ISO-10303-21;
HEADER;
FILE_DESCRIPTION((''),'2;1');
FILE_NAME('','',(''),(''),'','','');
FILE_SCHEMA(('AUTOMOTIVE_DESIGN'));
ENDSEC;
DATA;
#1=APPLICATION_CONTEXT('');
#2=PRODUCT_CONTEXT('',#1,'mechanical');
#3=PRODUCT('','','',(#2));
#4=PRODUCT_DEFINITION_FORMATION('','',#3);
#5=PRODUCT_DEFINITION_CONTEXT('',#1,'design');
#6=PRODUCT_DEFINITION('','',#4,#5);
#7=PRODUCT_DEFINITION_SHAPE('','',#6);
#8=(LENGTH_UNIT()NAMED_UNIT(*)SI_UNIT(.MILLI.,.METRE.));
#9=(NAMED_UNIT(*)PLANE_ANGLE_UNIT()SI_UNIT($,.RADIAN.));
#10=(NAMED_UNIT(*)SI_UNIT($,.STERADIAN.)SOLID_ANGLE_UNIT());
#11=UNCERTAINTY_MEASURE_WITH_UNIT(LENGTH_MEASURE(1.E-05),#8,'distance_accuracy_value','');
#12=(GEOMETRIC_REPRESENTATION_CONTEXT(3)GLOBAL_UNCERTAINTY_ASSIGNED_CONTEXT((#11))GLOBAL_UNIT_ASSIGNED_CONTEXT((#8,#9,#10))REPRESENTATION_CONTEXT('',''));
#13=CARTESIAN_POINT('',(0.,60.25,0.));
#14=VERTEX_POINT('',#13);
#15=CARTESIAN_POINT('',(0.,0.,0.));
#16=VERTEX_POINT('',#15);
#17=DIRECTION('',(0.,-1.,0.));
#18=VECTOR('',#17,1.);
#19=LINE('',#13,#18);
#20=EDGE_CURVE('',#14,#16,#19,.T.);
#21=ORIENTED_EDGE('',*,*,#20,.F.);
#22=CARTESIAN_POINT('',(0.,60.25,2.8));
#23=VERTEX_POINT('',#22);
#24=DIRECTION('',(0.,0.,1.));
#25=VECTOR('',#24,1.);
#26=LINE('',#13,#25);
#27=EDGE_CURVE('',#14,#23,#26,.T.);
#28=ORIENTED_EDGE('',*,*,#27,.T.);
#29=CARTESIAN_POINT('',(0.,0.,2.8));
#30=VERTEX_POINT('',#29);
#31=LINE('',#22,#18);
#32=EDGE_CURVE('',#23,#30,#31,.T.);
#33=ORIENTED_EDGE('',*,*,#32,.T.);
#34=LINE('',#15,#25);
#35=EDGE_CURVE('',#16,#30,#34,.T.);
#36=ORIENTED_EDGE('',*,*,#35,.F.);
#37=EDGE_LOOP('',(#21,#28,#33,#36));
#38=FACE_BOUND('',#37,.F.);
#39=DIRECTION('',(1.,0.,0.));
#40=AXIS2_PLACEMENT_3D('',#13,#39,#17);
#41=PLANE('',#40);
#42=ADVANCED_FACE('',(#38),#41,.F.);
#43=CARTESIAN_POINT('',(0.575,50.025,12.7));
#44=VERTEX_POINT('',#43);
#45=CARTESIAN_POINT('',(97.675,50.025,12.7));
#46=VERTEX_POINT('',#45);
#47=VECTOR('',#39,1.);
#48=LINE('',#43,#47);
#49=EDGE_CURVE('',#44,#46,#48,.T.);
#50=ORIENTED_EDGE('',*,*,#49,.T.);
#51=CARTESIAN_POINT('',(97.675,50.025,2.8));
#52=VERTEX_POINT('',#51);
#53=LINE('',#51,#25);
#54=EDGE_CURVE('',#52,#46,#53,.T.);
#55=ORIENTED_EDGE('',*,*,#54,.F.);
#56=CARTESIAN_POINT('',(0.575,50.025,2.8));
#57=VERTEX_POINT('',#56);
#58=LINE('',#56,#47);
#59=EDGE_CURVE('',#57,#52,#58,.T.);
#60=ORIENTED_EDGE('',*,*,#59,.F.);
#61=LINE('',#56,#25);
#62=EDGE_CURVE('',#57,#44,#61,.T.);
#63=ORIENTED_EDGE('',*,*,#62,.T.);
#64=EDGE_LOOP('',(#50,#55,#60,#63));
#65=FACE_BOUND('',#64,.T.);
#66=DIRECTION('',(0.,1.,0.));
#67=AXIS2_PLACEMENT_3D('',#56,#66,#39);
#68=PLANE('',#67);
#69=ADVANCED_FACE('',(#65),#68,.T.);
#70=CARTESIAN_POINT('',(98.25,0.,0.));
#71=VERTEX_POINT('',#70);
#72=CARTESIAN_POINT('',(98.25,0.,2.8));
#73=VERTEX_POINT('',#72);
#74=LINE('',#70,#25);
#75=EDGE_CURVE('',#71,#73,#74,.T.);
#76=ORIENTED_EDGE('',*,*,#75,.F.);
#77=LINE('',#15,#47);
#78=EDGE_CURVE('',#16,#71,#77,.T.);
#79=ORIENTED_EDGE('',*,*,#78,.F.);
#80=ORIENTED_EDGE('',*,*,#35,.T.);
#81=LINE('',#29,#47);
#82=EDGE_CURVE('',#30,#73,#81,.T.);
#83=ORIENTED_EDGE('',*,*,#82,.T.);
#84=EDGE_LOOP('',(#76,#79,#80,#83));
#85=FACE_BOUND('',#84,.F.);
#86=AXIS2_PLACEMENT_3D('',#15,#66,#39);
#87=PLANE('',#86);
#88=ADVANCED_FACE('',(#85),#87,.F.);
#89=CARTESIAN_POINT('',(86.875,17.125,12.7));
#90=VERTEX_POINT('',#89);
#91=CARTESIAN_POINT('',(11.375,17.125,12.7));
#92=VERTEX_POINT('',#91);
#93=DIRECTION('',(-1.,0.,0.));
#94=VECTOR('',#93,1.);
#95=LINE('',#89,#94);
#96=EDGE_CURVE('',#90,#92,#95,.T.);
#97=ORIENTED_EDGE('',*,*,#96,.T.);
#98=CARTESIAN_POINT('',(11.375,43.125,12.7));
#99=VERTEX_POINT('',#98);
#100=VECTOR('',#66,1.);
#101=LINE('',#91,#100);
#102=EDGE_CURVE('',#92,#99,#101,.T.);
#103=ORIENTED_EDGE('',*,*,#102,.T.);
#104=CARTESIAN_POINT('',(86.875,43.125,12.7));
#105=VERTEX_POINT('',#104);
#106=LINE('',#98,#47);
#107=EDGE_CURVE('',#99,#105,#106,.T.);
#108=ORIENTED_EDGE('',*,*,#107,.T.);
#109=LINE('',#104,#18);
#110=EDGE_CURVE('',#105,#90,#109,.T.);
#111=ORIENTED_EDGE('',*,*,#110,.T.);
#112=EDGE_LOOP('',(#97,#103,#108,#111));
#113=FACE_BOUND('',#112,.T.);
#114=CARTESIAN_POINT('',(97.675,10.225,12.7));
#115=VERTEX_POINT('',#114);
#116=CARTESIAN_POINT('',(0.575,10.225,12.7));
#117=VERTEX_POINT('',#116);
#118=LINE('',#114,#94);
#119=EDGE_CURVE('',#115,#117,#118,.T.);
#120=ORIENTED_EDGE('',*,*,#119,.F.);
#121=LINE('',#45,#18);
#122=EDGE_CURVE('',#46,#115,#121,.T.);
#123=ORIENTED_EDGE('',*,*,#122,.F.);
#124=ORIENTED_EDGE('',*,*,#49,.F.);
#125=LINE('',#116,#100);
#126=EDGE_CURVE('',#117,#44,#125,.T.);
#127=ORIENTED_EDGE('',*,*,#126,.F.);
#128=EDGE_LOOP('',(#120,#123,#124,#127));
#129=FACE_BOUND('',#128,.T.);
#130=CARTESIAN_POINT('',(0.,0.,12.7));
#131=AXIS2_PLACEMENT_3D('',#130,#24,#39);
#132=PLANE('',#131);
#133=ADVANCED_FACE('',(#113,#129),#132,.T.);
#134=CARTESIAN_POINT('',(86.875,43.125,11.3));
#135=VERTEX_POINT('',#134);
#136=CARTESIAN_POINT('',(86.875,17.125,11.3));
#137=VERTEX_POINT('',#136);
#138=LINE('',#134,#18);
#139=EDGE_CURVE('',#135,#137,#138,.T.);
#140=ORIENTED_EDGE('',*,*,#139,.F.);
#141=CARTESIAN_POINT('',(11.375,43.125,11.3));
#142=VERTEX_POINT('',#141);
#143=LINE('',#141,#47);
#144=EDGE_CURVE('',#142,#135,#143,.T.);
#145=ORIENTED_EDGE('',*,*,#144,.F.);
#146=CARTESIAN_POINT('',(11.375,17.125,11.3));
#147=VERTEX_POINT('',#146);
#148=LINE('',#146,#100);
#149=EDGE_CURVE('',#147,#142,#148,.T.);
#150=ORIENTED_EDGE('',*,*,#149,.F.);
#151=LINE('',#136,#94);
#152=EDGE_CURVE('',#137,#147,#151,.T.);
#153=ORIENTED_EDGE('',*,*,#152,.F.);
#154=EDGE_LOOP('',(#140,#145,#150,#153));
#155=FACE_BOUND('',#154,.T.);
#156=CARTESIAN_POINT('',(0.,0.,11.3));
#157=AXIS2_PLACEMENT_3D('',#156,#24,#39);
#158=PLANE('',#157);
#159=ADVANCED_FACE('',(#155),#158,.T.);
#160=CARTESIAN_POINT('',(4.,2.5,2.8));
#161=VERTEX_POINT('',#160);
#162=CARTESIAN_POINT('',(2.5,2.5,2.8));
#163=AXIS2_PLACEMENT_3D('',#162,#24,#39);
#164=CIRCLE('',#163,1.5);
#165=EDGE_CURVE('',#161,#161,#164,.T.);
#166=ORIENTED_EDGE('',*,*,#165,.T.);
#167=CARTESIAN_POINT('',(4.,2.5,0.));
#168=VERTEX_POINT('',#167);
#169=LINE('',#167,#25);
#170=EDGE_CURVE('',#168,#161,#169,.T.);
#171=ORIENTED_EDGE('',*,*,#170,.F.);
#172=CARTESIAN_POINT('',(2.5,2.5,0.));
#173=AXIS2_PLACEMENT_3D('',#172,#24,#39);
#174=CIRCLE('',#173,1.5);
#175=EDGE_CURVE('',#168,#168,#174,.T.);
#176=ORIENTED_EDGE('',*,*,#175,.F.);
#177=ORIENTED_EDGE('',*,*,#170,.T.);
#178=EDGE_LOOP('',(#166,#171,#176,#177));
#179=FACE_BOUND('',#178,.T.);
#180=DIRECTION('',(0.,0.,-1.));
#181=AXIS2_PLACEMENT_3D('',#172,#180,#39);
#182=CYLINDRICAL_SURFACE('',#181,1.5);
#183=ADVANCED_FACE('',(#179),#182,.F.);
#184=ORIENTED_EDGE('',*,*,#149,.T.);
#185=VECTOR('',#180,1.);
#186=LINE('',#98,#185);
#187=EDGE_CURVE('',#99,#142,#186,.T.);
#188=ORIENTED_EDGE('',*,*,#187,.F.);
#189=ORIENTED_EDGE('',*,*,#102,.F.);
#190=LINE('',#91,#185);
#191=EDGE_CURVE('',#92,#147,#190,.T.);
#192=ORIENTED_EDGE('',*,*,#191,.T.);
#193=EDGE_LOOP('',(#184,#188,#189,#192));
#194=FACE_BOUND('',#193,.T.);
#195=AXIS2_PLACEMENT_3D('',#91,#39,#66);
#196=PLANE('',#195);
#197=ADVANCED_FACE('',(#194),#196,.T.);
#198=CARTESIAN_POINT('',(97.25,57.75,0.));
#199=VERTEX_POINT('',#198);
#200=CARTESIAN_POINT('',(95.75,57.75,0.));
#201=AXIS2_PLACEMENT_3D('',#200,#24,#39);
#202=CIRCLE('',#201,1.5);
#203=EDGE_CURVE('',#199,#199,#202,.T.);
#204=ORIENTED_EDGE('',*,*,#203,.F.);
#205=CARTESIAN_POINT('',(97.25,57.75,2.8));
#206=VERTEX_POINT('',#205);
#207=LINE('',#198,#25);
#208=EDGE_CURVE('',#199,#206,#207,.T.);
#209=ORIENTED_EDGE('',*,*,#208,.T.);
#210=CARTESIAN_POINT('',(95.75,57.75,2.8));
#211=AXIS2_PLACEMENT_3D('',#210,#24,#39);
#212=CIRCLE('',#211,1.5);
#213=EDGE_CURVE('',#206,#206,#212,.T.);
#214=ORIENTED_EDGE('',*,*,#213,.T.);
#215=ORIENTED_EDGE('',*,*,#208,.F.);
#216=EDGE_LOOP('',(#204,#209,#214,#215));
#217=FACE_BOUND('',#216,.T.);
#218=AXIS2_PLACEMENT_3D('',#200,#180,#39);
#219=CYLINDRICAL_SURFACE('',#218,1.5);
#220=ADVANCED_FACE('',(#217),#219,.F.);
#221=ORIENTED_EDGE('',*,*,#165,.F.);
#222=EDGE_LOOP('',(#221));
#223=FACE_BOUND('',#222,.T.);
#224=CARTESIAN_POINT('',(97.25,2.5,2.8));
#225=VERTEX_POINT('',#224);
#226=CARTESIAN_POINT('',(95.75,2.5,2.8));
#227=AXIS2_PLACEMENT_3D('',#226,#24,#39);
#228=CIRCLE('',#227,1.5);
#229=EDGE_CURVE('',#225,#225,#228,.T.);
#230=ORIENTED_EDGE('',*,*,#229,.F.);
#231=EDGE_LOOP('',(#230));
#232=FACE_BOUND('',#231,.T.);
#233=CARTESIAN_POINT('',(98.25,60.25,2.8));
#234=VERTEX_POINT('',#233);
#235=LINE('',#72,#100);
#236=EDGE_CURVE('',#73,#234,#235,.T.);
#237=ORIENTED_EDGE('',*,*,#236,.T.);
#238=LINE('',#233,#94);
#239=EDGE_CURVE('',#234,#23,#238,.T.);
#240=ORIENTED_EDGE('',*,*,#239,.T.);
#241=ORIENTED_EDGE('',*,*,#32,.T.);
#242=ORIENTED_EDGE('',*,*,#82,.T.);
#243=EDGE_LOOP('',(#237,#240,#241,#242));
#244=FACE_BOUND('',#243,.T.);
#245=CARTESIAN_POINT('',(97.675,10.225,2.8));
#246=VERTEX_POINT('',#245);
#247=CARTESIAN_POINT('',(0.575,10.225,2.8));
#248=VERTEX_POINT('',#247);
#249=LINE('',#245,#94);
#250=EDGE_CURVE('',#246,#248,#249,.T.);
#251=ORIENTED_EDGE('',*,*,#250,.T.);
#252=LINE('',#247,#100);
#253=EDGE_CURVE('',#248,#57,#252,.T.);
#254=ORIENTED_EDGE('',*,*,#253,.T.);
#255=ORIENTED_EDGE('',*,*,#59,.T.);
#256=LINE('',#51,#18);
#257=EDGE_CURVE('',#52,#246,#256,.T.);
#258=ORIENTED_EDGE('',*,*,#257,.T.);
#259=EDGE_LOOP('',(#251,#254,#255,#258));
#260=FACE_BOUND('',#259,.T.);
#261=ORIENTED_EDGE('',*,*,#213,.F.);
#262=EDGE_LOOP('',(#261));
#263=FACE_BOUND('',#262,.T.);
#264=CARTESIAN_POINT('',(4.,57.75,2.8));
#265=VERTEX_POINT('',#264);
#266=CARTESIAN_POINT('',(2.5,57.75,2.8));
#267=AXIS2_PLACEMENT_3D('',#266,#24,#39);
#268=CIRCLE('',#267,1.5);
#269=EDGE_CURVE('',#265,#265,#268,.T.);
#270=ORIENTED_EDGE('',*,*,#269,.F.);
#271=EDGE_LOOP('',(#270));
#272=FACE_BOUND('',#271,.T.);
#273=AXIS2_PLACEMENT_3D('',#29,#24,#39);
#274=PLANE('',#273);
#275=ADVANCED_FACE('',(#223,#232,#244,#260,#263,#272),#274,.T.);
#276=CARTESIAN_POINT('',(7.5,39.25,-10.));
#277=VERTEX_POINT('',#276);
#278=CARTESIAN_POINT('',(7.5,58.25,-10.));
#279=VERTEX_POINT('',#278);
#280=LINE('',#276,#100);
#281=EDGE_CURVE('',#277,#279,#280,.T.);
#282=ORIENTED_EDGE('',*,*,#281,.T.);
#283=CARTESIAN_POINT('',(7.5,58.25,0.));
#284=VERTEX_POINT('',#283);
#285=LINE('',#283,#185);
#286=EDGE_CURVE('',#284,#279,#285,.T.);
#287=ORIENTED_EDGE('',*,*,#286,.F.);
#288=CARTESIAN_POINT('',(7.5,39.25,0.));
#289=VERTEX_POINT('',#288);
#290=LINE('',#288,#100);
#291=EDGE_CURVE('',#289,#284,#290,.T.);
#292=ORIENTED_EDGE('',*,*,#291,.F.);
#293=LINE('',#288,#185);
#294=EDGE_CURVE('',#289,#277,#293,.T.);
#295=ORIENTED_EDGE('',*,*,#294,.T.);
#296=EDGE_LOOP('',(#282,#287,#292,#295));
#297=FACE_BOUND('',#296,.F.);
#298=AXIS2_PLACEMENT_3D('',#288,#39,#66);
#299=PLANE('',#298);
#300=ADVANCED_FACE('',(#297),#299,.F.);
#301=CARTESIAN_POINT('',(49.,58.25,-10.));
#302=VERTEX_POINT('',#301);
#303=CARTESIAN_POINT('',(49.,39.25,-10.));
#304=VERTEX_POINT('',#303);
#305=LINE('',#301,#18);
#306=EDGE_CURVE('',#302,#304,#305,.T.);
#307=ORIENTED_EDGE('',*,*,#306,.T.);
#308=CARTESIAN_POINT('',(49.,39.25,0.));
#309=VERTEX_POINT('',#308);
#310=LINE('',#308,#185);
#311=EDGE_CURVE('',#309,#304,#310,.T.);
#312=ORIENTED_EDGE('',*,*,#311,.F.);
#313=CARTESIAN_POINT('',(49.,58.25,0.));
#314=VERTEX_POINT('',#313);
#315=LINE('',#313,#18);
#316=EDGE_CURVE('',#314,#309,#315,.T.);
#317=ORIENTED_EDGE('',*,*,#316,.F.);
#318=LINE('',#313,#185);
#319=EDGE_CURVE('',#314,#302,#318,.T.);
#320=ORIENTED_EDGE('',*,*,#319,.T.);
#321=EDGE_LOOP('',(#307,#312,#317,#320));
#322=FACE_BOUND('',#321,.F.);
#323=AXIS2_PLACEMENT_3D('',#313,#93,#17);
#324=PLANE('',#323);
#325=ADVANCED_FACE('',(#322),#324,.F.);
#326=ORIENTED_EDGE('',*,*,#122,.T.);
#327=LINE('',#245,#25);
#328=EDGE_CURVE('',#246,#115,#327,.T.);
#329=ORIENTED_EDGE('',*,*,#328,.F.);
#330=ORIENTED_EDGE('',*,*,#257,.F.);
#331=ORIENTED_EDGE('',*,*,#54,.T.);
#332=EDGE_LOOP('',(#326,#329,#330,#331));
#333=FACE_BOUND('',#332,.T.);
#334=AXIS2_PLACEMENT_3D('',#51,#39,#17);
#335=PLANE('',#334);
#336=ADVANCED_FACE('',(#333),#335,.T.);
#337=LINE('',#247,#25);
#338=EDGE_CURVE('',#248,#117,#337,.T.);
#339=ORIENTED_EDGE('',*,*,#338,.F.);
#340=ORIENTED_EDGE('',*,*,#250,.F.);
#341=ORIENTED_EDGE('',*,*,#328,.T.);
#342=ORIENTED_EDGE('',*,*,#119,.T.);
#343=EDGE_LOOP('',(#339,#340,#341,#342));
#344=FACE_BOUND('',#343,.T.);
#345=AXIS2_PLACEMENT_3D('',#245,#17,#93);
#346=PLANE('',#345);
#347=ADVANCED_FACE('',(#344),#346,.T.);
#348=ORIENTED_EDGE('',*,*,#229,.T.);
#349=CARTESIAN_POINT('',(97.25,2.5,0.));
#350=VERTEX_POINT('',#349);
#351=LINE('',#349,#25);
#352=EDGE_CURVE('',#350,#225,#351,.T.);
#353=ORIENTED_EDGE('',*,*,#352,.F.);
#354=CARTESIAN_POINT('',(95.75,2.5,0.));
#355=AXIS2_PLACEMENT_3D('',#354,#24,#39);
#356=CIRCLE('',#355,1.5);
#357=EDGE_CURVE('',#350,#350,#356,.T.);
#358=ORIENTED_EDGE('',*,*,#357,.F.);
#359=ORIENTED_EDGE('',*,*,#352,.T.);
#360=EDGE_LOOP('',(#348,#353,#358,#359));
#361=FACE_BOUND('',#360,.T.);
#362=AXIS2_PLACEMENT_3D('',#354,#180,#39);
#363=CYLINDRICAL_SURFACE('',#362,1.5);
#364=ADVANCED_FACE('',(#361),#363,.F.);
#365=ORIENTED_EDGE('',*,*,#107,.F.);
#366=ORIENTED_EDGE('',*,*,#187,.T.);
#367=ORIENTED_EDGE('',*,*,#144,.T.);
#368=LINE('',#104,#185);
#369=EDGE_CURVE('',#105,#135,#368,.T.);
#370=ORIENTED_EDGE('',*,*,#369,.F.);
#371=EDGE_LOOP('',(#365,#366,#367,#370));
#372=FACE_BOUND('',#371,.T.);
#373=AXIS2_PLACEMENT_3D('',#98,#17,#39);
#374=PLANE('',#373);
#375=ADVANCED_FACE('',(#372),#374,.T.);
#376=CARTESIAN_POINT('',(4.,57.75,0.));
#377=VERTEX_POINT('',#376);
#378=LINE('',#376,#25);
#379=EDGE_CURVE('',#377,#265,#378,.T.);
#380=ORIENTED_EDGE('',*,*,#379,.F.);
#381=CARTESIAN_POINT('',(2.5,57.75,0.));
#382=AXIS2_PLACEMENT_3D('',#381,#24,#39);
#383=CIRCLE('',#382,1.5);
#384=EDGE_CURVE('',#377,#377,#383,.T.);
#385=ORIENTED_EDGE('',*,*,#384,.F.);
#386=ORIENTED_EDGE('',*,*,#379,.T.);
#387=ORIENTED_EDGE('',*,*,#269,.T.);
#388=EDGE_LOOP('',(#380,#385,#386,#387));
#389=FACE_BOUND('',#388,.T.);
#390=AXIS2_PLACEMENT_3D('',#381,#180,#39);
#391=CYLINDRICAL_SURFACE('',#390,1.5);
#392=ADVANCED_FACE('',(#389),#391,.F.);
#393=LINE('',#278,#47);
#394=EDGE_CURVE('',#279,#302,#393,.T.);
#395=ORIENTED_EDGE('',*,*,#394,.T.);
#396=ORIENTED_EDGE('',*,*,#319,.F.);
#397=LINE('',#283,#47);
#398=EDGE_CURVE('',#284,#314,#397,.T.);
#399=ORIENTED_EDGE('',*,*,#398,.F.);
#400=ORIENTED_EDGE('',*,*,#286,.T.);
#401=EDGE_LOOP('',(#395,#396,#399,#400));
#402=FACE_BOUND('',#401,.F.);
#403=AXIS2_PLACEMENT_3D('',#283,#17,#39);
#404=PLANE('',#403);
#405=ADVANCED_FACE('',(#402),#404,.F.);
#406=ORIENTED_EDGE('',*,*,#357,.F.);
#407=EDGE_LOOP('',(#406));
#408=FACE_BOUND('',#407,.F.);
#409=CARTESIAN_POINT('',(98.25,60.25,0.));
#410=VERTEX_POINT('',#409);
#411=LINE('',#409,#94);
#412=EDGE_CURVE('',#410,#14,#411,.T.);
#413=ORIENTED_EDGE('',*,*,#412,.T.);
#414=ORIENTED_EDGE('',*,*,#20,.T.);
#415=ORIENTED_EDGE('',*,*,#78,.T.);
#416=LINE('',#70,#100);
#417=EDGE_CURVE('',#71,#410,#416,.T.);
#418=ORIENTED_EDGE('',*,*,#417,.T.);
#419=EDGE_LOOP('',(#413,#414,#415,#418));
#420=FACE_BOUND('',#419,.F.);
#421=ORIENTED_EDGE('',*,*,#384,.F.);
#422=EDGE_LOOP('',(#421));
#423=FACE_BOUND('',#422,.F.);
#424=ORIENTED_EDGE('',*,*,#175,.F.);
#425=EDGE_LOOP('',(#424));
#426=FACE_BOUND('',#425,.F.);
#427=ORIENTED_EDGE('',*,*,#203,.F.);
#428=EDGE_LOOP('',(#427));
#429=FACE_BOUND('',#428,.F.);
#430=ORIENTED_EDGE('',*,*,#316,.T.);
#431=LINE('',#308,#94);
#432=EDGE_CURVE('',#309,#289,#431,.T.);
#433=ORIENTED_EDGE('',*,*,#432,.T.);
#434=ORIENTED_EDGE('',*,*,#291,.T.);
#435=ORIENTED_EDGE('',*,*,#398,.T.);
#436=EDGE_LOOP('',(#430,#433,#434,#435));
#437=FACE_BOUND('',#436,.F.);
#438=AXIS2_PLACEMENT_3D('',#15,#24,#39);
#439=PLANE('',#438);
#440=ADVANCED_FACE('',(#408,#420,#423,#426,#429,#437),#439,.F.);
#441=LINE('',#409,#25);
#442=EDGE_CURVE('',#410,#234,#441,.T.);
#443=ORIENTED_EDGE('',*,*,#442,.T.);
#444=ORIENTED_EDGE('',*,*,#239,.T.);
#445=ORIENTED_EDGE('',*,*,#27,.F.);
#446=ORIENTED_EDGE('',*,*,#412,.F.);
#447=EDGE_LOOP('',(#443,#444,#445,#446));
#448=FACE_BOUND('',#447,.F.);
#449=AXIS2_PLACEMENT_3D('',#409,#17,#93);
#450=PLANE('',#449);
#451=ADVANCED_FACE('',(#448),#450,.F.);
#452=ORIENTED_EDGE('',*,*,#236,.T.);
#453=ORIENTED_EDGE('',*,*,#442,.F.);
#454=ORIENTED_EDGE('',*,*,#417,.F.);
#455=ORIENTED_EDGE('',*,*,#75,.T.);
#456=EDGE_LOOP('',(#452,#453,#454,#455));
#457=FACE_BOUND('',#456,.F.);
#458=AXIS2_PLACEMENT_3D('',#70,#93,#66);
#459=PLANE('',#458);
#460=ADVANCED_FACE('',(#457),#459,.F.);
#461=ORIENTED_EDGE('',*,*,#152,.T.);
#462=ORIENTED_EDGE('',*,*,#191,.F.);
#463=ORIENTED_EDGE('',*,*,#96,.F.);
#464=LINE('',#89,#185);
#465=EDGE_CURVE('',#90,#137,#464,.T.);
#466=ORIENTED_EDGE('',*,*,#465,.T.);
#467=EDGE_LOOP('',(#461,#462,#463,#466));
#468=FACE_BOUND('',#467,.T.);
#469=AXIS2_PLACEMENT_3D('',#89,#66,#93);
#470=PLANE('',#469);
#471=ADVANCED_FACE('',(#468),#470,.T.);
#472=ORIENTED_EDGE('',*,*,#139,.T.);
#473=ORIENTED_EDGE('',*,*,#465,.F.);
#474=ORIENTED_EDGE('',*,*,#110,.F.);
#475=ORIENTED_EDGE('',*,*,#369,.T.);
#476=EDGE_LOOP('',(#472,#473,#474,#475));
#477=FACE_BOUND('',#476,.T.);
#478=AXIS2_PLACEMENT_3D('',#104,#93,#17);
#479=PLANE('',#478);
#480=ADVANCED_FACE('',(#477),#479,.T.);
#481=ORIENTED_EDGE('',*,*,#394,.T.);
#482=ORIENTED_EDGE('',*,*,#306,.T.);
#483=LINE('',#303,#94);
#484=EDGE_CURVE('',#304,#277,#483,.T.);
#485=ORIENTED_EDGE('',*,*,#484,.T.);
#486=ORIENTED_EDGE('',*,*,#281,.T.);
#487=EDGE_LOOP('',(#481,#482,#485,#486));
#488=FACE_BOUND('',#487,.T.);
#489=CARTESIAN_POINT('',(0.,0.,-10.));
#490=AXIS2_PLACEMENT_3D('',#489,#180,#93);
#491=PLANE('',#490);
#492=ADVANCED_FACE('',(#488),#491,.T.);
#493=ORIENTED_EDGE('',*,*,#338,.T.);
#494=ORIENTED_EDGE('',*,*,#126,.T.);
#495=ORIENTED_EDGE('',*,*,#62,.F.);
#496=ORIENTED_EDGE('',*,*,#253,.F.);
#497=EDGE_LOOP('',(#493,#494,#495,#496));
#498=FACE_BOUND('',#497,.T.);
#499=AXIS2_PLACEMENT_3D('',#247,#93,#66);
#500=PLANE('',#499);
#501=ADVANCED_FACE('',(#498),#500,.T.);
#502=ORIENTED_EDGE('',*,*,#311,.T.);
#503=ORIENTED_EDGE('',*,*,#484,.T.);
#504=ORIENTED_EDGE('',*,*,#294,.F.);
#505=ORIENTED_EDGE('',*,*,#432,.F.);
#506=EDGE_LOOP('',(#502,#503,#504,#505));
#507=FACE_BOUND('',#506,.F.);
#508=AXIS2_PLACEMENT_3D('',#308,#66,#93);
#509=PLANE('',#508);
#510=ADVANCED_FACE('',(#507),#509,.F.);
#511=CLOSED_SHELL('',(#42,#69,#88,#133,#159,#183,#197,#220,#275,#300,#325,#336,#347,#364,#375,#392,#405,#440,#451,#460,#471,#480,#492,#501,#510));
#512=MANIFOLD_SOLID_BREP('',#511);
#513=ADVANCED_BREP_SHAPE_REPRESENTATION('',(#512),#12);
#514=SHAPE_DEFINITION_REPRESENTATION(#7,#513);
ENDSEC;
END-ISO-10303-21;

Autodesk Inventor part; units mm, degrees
ref_plane "YZ Plane" through (0, 0, 0) normal (1, 0, 0) x (0, 1, 0)
ref_plane "XZ Plane" through (0, 0, 0) normal (0, 1, 0) x (-1, 0, 0)
ref_plane "XY Plane" through (0, 0, 0) normal (0, 0, 1) x (1, 0, 0)
sketch "Sketch1" plane through (0, 0, 0) normal (0, 0, 1) x (1, 0, 0)
  line L0 (0, 0) -> (98.25, 0)
  line L1 (98.25, 0) -> (98.25, 60.25)
  line L2 (98.25, 60.25) -> (0, 60.25)
  line L3 (0, 60.25) -> (0, 0)
  line L4 (0, 60.25) -> (2.5, 60.25) construction
  line L5 (2.5, 60.25) -> (2.5, 57.75) construction
  line L6 (2.5, 57.75) -> (0, 57.75) construction
  line L7 (0, 57.75) -> (0, 60.25) construction
  circle A0 centre (2.5, 57.75) radius 1.5
  line L8 (49.125, 60.25) -> (49.125, 0) construction
  line L9 (0, 30.125) -> (98.25, 30.125) construction
  circle A1 centre (95.75, 57.75) radius 1.5
  circle A2 centre (2.5, 2.5) radius 1.5
  circle A3 centre (95.75, 2.5) radius 1.5
  dimension "d0" = 98.25
  dimension "d1" = 60.25
  dimension "d2" = 2.5
  dimension "d7" = 2.5
  dimension "d8" = 3
extrude "LcdPcb" add sketch "Sketch1" along normal blind 2.8
sketch "Sketch2" plane through (0, 0, 2.8) normal (0, 0, 1) x (1, 0, 0)
  line L0 (98.25, 60.25) -> (0, 60.25) construction
  line L1 (49.125, 60.25) -> (49.125, 0) construction
  line L2 (0, 0) -> (98.25, 0) construction
  line L3 (0, 60.25) -> (0, 0) construction
  line L4 (0, 30.125) -> (98.25, 30.125) construction
  line L5 (98.25, 0) -> (98.25, 60.25) construction
  line L6 (0.575, 50.025) -> (97.675, 50.025)
  line L7 (97.675, 50.025) -> (97.675, 10.225)
  line L8 (97.675, 10.225) -> (0.575, 10.225)
  line L9 (0.575, 10.225) -> (0.575, 50.025)
  line L10 (0.575, 50.025) -> (97.675, 10.225) construction
  line L11 (97.675, 50.025) -> (0.575, 10.225) construction
  point P0 (49.125, 30.125)
  dimension "d15" = 39.8
  dimension "d16" = 97.1
extrude "LcdBezel" add sketch "Sketch2" along normal blind 9.9
sketch "Sketch3" plane through (0, 0, 12.7) normal (0, 0, 1) x (1, 0, 0)
  line L0 (0.575, 50.025) -> (0.575, 10.225) construction
  line L1 (0.575, 50.025) -> (11.375, 50.025) construction
  line L2 (11.375, 50.025) -> (11.375, 43.125) construction
  line L3 (11.375, 43.125) -> (0.575, 43.125) construction
  line L4 (0.575, 43.125) -> (0.575, 50.025) construction
  line L5 (11.375, 43.125) -> (86.875, 43.125)
  line L6 (86.875, 43.125) -> (86.875, 17.125)
  line L7 (86.875, 17.125) -> (11.375, 17.125)
  line L8 (11.375, 17.125) -> (11.375, 43.125)
  point P0 (0, 0)
  dimension "LcdBezelHeight" = 6.9
  dimension "LcdBezelLength" = 10.8
  dimension "d28" = 75.5
  dimension "d29" = 26
extrude "Lcd" cut sketch "Sketch3" against normal blind 1.4
sketch "Sketch4" plane through (0, 0, 0) normal (0, 0, -1) x (-1, 0, 0)
  line L0 (0, 60.25) -> (0, 0) construction
  line L1 (0, 60.25) -> (-7.5, 60.25) construction
  line L2 (-7.5, 60.25) -> (-7.5, 58.25) construction
  line L3 (-7.5, 58.25) -> (0, 58.25) construction
  line L4 (0, 58.25) -> (0, 60.25) construction
  line L5 (-7.5, 58.25) -> (-49, 58.25)
  line L6 (-49, 58.25) -> (-49, 39.25)
  line L7 (-49, 39.25) -> (-7.5, 39.25)
  line L8 (-7.5, 39.25) -> (-7.5, 58.25)
  dimension "LcdRearKeepOutHeightOffset" = 2
  dimension "LcdRearKeepOutLengthOffset" = 7.5
  dimension "LcdRearKeepOutHeight" = 19
  dimension "LcdRearKeepOutLength" = 41.5
extrude "LcdRearKeepOut" add sketch "Sketch4" along normal blind 10
equation "\"d0\" = LcdBorderLength"
equation "\"d1\" = LcdBorderHeight"
equation "\"d2\" = LcdFrameHoleOffset"
equation "\"d7\" = LcdFrameHoleOffset"
equation "\"d8\" = LcdFrameHoleDiameter"
equation "\"d12\" = LcdPcbThickness"
equation "\"d15\" = LcdHeight"
equation "\"d16\" = LcdLength"
equation "\"d28\" = LcdLength - 2 * LcdBezelLength"
equation "\"d29\" = LcdHeight - 2 * LcdBezelHeight"
equation "\"d30\" = 0.5 * LcdPcbThickness"
properties part number "LcdAssembly"
